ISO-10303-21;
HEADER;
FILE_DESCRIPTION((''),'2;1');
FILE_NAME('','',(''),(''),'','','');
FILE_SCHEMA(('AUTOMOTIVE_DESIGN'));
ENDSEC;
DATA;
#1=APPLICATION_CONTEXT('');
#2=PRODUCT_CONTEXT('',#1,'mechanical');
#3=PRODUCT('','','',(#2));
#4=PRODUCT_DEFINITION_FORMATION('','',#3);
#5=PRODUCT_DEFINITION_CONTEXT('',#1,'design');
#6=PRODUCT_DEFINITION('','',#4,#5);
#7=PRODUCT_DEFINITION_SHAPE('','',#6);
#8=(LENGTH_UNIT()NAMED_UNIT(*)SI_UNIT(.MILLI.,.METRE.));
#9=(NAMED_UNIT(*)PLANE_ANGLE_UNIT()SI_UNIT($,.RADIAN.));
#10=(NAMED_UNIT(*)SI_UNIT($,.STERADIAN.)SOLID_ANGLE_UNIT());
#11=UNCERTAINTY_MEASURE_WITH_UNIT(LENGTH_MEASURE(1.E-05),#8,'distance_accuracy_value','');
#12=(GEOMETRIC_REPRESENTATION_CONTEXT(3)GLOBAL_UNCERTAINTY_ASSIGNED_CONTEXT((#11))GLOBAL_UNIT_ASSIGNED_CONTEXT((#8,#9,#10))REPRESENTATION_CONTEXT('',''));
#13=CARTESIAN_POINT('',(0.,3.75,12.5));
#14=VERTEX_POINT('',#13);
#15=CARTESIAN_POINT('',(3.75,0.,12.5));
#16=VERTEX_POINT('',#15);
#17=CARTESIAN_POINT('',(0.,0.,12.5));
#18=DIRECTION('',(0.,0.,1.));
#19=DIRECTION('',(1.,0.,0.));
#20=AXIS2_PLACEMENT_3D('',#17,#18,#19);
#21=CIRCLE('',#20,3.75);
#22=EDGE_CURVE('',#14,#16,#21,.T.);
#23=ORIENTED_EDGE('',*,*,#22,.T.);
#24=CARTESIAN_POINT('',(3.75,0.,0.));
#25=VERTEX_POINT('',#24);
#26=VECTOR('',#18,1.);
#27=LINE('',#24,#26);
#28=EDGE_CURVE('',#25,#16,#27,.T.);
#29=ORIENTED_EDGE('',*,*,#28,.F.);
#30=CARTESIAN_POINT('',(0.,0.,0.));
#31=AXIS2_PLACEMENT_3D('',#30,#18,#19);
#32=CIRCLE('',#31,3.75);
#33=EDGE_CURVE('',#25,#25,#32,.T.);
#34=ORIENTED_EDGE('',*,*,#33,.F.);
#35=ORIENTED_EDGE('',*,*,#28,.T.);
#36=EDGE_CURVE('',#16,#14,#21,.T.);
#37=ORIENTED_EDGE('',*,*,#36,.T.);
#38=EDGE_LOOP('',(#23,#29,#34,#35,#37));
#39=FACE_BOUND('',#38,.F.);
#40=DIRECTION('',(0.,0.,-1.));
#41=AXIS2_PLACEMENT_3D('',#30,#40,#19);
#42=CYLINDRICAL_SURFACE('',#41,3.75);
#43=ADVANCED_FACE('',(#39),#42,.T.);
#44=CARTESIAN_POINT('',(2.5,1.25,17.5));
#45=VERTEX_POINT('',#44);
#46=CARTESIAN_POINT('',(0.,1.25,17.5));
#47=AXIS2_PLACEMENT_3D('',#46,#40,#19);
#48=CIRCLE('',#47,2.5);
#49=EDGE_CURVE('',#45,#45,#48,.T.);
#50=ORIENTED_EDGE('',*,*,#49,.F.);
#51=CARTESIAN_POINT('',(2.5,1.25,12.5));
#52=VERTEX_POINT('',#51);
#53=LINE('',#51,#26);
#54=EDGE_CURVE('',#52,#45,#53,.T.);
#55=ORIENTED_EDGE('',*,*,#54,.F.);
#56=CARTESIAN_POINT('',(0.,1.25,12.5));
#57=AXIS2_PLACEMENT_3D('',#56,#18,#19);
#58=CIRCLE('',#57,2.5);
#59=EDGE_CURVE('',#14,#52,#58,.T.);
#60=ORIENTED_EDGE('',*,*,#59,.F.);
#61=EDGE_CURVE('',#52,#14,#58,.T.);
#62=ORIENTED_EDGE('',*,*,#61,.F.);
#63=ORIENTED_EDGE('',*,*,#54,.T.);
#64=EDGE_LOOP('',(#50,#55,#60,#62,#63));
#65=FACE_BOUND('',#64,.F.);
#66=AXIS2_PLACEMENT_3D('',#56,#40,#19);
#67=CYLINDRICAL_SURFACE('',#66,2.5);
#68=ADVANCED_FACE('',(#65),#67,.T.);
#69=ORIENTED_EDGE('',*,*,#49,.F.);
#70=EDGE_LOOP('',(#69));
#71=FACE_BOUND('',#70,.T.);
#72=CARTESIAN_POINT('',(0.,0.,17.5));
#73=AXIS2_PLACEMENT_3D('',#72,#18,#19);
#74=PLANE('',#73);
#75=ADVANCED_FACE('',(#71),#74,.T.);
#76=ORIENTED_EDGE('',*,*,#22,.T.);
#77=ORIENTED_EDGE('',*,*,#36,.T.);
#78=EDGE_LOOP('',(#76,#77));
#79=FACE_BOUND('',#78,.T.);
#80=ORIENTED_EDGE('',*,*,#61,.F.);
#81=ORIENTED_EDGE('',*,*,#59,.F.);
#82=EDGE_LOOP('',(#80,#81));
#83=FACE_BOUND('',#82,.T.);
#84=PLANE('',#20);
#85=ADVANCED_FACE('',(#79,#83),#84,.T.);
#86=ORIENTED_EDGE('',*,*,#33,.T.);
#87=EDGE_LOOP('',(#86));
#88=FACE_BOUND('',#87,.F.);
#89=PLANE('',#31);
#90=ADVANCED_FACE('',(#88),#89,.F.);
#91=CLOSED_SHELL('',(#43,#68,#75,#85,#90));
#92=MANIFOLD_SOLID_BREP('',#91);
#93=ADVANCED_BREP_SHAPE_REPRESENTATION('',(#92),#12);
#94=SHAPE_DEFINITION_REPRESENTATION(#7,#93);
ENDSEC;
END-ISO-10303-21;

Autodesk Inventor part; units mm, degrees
ref_plane "YZ Plane" through (0, 0, 0) normal (1, 0, 0) x (0, 1, 0)
ref_plane "XZ Plane" through (0, 0, 0) normal (0, 1, 0) x (-1, 0, 0)
ref_plane "XY Plane" through (0, 0, 0) normal (0, 0, 1) x (1, 0, 0)
sketch "Sketch1" plane through (0, 0, 0) normal (0, 0, 1) x (1, 0, 0)
  circle A0 centre (0, 0) radius 3.75
  dimension "d4" = 7.5
extrude "Extrusion1" add sketch "Sketch1" along normal blind 12.5
sketch "Sketch2" plane through (0, 0, 12.5) normal (0, 0, 1) x (1, 0, 0)
  circle A0 centre (0, 1.25) radius 2.5
  line L0 (0, 6.75) -> (0, -5.5) projected
  circle A1 centre (0, 0) radius 3.75 projected
  point P0 (0, 3.75)
  dimension "d5" = 5
extrude "Extrusion2" add sketch "Sketch2" along normal blind 5 contours A0 L0 | L0 A0
properties part number "connector"
